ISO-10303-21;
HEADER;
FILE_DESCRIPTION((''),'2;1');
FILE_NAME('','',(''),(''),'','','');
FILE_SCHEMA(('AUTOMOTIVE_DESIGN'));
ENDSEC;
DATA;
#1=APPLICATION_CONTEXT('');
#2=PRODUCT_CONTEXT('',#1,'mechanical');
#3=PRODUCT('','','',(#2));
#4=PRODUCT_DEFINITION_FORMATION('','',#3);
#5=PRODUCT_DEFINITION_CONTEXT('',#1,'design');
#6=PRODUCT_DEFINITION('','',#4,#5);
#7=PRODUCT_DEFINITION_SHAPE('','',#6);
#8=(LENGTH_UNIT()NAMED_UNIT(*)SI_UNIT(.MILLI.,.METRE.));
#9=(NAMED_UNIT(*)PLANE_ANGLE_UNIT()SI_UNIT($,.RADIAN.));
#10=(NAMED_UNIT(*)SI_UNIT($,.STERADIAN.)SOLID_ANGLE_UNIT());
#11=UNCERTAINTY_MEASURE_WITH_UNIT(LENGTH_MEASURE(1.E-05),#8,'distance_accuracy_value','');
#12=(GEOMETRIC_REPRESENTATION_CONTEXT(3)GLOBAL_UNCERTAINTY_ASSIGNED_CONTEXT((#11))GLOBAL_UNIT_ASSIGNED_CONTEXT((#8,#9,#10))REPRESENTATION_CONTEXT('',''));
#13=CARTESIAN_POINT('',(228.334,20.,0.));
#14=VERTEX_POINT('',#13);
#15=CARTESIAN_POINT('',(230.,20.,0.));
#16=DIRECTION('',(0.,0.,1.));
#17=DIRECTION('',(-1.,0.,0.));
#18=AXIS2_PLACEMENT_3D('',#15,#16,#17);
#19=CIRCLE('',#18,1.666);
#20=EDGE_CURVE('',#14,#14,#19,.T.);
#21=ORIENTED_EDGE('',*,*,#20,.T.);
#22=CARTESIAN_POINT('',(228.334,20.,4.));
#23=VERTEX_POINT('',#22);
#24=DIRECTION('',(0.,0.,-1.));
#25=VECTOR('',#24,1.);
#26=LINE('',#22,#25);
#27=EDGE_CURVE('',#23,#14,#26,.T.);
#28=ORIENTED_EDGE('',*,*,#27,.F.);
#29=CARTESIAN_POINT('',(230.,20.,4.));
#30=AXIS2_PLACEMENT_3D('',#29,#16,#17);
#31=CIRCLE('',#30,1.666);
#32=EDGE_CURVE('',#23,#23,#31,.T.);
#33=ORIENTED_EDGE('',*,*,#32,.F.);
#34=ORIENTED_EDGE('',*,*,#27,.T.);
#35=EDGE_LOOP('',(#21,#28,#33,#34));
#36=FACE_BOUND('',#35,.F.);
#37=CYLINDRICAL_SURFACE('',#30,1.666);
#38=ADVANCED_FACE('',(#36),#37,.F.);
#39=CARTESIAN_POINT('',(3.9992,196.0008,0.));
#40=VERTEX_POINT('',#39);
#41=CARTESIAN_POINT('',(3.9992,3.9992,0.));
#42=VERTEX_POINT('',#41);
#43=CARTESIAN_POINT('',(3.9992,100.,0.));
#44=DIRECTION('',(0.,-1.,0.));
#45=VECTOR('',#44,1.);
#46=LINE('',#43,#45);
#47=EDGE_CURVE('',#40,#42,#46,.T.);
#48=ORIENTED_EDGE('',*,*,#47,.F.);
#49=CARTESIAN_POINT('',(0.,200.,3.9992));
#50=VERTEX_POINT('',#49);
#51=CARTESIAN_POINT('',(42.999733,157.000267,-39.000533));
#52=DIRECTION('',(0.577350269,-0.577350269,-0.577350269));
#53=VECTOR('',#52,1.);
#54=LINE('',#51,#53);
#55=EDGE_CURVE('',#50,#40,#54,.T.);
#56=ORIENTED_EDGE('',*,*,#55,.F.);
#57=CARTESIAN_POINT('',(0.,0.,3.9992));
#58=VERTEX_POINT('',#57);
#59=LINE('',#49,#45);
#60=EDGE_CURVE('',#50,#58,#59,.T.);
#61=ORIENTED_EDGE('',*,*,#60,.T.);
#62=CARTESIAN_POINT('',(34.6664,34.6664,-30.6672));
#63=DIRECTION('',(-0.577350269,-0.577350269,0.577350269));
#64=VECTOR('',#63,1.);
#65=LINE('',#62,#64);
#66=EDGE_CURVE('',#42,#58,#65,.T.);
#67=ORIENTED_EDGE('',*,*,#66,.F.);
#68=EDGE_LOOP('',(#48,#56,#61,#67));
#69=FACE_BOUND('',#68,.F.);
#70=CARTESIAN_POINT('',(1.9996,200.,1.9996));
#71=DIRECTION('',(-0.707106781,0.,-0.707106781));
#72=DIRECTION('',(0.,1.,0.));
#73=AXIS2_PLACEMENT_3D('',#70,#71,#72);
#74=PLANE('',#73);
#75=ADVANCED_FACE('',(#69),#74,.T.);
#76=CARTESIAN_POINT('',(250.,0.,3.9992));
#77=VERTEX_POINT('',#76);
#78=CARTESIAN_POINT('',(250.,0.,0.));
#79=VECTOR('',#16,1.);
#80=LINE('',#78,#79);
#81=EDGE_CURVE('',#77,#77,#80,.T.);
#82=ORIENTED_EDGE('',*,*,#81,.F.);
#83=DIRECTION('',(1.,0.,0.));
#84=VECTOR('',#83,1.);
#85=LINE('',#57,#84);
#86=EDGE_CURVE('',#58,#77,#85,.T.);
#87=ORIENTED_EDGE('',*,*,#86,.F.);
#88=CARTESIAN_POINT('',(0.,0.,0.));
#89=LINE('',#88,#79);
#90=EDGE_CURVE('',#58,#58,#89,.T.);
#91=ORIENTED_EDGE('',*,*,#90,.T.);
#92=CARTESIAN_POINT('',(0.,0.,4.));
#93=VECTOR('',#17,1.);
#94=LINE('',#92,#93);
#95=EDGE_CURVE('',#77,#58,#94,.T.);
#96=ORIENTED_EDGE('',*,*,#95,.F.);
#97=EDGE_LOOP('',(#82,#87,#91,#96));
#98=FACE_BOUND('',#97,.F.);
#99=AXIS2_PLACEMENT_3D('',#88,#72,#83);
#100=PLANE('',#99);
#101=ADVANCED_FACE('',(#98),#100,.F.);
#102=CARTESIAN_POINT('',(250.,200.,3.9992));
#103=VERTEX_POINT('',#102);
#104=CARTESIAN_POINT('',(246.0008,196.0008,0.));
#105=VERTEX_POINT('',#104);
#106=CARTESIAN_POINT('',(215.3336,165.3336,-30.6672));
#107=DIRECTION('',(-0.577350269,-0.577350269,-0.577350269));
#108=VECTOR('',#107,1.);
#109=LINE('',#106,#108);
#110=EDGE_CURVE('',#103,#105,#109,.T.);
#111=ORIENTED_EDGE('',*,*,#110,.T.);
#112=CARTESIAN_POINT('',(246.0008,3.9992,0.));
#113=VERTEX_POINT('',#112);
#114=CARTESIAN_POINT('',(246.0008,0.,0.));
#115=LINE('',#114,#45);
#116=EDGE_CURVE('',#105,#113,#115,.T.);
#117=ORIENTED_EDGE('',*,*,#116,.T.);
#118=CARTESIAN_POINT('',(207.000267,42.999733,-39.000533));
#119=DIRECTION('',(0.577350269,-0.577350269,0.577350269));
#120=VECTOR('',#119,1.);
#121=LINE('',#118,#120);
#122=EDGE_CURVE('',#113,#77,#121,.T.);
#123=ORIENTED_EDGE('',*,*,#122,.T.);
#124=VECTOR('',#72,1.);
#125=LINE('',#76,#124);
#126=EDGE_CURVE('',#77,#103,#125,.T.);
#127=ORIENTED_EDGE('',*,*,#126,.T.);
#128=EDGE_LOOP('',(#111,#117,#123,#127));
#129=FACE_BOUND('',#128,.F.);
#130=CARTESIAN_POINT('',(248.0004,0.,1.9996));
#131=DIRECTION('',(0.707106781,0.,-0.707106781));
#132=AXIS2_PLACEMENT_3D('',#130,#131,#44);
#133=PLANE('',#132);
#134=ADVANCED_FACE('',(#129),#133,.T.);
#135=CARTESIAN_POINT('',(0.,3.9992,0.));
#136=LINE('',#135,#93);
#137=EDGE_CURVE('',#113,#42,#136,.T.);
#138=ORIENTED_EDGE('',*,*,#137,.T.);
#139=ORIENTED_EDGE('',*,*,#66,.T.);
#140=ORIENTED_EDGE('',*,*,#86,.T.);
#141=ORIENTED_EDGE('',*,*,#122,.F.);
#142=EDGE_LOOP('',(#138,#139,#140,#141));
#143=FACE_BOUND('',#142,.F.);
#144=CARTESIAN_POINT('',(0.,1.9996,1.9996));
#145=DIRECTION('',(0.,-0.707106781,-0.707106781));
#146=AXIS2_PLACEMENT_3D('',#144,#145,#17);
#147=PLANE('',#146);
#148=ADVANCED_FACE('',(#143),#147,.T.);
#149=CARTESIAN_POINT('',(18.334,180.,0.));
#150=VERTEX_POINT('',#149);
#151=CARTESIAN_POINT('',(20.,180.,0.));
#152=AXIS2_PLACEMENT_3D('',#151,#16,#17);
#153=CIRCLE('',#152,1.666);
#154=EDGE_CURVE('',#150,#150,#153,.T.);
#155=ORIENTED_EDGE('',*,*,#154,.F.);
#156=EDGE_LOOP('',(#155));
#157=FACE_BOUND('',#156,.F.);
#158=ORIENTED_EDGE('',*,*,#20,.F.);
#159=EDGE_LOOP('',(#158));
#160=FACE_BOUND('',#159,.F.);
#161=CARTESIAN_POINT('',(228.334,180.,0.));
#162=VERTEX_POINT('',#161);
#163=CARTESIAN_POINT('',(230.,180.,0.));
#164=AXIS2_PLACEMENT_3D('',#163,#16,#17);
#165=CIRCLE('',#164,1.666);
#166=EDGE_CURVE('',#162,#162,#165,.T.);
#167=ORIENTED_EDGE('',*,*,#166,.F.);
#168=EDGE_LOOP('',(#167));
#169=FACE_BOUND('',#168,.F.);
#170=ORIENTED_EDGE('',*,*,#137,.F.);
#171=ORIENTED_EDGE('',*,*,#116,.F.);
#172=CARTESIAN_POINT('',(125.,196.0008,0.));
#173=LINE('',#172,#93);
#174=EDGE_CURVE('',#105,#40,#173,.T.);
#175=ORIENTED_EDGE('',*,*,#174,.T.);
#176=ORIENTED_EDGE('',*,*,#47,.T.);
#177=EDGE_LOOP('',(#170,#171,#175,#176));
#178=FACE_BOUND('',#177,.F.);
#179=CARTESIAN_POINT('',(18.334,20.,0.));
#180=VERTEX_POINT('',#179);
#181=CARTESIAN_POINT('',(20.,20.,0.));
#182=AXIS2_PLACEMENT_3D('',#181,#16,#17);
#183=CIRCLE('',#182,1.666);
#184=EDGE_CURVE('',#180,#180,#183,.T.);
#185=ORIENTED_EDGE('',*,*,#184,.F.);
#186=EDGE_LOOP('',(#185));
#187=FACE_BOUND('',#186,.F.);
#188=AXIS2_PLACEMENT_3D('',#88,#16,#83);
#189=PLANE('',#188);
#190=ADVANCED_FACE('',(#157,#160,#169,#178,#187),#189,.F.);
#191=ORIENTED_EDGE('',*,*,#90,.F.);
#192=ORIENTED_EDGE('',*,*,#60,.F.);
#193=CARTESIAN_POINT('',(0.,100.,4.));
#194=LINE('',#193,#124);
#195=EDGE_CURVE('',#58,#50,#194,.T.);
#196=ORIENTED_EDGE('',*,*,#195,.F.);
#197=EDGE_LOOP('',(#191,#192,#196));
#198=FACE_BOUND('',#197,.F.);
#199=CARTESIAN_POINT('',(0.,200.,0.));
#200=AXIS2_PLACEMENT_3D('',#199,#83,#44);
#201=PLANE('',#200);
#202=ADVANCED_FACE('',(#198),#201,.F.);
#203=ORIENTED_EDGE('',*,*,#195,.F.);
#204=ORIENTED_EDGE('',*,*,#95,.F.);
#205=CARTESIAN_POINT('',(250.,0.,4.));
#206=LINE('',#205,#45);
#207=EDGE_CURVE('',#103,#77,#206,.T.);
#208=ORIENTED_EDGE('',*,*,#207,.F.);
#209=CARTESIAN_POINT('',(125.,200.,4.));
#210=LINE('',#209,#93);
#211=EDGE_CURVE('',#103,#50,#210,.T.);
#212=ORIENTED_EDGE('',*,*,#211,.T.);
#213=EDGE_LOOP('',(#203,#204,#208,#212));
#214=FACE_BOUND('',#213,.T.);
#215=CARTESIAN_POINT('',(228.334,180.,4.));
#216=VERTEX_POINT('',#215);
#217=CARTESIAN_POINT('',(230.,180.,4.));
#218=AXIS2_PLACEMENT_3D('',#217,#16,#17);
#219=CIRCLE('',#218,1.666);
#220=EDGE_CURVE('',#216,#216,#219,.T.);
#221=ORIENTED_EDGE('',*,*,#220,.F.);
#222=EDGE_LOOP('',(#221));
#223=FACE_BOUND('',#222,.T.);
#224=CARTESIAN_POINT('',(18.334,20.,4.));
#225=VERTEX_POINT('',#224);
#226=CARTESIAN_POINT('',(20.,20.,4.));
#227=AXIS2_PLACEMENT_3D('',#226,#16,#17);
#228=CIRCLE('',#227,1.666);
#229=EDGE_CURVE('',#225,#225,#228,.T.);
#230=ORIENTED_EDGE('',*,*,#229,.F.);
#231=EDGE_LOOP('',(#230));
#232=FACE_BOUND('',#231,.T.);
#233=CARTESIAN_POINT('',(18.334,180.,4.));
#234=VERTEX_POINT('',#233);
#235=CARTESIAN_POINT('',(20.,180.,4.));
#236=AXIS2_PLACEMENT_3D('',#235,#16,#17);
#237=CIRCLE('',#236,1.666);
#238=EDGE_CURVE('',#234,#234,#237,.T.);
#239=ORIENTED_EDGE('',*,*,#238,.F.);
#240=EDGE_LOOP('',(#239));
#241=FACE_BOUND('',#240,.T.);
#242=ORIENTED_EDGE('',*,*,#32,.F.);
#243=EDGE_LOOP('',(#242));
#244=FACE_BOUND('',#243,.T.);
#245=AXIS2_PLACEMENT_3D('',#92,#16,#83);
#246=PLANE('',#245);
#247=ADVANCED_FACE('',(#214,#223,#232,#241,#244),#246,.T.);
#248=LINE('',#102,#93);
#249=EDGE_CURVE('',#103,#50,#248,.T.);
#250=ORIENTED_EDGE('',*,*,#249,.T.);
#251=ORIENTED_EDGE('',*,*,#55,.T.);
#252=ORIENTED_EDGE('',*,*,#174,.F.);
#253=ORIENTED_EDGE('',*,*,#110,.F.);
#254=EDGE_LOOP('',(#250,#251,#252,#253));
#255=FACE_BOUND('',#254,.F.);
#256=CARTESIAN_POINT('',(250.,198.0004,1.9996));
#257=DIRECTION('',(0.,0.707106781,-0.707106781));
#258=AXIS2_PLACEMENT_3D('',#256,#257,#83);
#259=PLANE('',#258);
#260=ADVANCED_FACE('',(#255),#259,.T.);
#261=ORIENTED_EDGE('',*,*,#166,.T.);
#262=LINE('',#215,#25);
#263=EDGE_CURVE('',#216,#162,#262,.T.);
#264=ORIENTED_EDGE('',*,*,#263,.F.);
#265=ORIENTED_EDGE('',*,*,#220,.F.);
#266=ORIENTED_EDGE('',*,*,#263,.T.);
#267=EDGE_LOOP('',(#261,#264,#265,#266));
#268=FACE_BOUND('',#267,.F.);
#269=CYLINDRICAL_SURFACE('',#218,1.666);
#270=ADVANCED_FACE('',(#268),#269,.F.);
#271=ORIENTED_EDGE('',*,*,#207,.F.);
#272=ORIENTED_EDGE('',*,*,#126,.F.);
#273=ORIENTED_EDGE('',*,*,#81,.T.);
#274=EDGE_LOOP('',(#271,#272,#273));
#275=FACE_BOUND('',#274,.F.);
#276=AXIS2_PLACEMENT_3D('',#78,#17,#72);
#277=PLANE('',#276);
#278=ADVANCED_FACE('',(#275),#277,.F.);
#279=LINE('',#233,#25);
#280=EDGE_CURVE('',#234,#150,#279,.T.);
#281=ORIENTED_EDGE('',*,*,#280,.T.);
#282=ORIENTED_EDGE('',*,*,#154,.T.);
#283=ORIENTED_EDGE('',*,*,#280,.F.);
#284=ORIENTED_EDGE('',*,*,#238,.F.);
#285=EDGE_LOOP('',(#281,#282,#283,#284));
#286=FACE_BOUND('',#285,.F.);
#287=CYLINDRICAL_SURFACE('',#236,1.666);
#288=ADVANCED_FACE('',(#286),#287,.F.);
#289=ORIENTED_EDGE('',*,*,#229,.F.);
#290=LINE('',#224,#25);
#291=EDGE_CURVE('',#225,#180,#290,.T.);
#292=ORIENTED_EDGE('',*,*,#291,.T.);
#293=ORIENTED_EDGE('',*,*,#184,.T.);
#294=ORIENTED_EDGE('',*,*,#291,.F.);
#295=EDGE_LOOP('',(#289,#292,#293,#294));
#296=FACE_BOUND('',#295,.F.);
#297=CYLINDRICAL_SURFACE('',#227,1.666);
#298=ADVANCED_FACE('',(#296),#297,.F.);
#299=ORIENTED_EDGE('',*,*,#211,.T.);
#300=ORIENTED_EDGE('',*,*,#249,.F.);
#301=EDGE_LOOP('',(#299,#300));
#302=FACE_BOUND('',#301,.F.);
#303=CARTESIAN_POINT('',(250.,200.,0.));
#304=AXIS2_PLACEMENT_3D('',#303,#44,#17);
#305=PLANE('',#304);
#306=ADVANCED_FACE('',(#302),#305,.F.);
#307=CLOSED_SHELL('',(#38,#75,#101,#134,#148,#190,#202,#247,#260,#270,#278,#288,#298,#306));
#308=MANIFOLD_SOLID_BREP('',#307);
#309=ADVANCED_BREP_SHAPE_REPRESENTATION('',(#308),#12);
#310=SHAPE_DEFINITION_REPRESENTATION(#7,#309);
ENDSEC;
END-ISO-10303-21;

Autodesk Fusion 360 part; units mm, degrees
sketch "Esquisse1" plane through (0, 0, 0) normal (0, 0, 1) x (1, 0, 0)
  line L0 (0, 0) -> (250, 0)
  line L1 (250, 0) -> (250, 200)
  line L2 (250, 200) -> (0, 200)
  line L3 (0, 200) -> (0, 0)
  dimension "d18" = 200
  dimension "d19" = 250
extrude "Extrusion1" add sketch "Esquisse1" along normal blind 4
chamfer "Chanfrein1" distance 4 angle 45 1 faces at (83.3333, 133.3333, 0)
sketch "Esquisse2" plane through (0, 0, 4) normal (0, 0, 1) x (-1, 0, 0)
  circle A0 centre (-20, -180) radius 1.5
  circle A1 centre (-230, -180) radius 1.5
  circle A2 centre (-230, -20) radius 1.5
  circle A3 centre (-20, -20) radius 1.5
  line L0 (0, 0) -> (-20, -20)
  line L1 (-250, 0) -> (-230, -20)
  line L2 (-250, 0) -> (-297.1716, 0) construction
  line L3 (0, -200) -> (-20, -180)
  line L4 (-250, -200) -> (-230, -180)
  line L5 (-250, -200) -> (-297.1716, -200) construction
  line L6 (0, -200) -> (0, 0)
  line L7 (0, 0) -> (-250, 0)
  line L8 (-250, 0) -> (-250, -200)
  line L9 (-250, -200) -> (0, -200)
  dimension "d10" = 3
  dimension "d11" = 3
  dimension "d12" = 3
  dimension "d13" = 3
  dimension "d20" = 28.2843
  dimension "d22" = 45
  dimension "d23" = 28.2843
  dimension "d24" = 28.2843
  dimension "d25" = 28.2843
  dimension "d26" = 45
extrude "Extrusion2" cut sketch "Esquisse2" against normal blind 14 contours A0 | A1 | A2 | A3
thread "Filetage1" "ISO Metric profile 4.0 M4x0.7 M4x0.7 6H" major diameter 4.1095 minor diameter 3.332 pitch 0.7 angle 60 resizes the face on face at (21.4536, 179.6299, 2.6667)
thread "Filetage2" "ISO Metric profile 4.0 M4x0.7 M4x0.7 6H" major diameter 4.1095 minor diameter 3.332 pitch 0.7 angle 60 resizes the face on face at (21.4925, 20.1494, 1.3333)
thread "Filetage3" "ISO Metric profile 4.0 M4x0.7 M4x0.7 6H" major diameter 4.1095 minor diameter 3.332 pitch 0.7 angle 60 resizes the face on face at (229.3157, 18.6652, 2.6667)
thread "Filetage4" "ISO Metric profile 4.0 M4x0.7 M4x0.7 6H" major diameter 4.1095 minor diameter 3.332 pitch 0.7 angle 60 resizes the face on face at (229.1244, 178.7821, 1.3333)
equation "d20 = ( sqrt(800) ) * 1 mm"
equation "d23 = ( sqrt(800) ) * 1 mm"
equation "d24 = ( sqrt(800) ) * 1 mm"
equation "d25 = ( sqrt(800) ) * 1 mm"
